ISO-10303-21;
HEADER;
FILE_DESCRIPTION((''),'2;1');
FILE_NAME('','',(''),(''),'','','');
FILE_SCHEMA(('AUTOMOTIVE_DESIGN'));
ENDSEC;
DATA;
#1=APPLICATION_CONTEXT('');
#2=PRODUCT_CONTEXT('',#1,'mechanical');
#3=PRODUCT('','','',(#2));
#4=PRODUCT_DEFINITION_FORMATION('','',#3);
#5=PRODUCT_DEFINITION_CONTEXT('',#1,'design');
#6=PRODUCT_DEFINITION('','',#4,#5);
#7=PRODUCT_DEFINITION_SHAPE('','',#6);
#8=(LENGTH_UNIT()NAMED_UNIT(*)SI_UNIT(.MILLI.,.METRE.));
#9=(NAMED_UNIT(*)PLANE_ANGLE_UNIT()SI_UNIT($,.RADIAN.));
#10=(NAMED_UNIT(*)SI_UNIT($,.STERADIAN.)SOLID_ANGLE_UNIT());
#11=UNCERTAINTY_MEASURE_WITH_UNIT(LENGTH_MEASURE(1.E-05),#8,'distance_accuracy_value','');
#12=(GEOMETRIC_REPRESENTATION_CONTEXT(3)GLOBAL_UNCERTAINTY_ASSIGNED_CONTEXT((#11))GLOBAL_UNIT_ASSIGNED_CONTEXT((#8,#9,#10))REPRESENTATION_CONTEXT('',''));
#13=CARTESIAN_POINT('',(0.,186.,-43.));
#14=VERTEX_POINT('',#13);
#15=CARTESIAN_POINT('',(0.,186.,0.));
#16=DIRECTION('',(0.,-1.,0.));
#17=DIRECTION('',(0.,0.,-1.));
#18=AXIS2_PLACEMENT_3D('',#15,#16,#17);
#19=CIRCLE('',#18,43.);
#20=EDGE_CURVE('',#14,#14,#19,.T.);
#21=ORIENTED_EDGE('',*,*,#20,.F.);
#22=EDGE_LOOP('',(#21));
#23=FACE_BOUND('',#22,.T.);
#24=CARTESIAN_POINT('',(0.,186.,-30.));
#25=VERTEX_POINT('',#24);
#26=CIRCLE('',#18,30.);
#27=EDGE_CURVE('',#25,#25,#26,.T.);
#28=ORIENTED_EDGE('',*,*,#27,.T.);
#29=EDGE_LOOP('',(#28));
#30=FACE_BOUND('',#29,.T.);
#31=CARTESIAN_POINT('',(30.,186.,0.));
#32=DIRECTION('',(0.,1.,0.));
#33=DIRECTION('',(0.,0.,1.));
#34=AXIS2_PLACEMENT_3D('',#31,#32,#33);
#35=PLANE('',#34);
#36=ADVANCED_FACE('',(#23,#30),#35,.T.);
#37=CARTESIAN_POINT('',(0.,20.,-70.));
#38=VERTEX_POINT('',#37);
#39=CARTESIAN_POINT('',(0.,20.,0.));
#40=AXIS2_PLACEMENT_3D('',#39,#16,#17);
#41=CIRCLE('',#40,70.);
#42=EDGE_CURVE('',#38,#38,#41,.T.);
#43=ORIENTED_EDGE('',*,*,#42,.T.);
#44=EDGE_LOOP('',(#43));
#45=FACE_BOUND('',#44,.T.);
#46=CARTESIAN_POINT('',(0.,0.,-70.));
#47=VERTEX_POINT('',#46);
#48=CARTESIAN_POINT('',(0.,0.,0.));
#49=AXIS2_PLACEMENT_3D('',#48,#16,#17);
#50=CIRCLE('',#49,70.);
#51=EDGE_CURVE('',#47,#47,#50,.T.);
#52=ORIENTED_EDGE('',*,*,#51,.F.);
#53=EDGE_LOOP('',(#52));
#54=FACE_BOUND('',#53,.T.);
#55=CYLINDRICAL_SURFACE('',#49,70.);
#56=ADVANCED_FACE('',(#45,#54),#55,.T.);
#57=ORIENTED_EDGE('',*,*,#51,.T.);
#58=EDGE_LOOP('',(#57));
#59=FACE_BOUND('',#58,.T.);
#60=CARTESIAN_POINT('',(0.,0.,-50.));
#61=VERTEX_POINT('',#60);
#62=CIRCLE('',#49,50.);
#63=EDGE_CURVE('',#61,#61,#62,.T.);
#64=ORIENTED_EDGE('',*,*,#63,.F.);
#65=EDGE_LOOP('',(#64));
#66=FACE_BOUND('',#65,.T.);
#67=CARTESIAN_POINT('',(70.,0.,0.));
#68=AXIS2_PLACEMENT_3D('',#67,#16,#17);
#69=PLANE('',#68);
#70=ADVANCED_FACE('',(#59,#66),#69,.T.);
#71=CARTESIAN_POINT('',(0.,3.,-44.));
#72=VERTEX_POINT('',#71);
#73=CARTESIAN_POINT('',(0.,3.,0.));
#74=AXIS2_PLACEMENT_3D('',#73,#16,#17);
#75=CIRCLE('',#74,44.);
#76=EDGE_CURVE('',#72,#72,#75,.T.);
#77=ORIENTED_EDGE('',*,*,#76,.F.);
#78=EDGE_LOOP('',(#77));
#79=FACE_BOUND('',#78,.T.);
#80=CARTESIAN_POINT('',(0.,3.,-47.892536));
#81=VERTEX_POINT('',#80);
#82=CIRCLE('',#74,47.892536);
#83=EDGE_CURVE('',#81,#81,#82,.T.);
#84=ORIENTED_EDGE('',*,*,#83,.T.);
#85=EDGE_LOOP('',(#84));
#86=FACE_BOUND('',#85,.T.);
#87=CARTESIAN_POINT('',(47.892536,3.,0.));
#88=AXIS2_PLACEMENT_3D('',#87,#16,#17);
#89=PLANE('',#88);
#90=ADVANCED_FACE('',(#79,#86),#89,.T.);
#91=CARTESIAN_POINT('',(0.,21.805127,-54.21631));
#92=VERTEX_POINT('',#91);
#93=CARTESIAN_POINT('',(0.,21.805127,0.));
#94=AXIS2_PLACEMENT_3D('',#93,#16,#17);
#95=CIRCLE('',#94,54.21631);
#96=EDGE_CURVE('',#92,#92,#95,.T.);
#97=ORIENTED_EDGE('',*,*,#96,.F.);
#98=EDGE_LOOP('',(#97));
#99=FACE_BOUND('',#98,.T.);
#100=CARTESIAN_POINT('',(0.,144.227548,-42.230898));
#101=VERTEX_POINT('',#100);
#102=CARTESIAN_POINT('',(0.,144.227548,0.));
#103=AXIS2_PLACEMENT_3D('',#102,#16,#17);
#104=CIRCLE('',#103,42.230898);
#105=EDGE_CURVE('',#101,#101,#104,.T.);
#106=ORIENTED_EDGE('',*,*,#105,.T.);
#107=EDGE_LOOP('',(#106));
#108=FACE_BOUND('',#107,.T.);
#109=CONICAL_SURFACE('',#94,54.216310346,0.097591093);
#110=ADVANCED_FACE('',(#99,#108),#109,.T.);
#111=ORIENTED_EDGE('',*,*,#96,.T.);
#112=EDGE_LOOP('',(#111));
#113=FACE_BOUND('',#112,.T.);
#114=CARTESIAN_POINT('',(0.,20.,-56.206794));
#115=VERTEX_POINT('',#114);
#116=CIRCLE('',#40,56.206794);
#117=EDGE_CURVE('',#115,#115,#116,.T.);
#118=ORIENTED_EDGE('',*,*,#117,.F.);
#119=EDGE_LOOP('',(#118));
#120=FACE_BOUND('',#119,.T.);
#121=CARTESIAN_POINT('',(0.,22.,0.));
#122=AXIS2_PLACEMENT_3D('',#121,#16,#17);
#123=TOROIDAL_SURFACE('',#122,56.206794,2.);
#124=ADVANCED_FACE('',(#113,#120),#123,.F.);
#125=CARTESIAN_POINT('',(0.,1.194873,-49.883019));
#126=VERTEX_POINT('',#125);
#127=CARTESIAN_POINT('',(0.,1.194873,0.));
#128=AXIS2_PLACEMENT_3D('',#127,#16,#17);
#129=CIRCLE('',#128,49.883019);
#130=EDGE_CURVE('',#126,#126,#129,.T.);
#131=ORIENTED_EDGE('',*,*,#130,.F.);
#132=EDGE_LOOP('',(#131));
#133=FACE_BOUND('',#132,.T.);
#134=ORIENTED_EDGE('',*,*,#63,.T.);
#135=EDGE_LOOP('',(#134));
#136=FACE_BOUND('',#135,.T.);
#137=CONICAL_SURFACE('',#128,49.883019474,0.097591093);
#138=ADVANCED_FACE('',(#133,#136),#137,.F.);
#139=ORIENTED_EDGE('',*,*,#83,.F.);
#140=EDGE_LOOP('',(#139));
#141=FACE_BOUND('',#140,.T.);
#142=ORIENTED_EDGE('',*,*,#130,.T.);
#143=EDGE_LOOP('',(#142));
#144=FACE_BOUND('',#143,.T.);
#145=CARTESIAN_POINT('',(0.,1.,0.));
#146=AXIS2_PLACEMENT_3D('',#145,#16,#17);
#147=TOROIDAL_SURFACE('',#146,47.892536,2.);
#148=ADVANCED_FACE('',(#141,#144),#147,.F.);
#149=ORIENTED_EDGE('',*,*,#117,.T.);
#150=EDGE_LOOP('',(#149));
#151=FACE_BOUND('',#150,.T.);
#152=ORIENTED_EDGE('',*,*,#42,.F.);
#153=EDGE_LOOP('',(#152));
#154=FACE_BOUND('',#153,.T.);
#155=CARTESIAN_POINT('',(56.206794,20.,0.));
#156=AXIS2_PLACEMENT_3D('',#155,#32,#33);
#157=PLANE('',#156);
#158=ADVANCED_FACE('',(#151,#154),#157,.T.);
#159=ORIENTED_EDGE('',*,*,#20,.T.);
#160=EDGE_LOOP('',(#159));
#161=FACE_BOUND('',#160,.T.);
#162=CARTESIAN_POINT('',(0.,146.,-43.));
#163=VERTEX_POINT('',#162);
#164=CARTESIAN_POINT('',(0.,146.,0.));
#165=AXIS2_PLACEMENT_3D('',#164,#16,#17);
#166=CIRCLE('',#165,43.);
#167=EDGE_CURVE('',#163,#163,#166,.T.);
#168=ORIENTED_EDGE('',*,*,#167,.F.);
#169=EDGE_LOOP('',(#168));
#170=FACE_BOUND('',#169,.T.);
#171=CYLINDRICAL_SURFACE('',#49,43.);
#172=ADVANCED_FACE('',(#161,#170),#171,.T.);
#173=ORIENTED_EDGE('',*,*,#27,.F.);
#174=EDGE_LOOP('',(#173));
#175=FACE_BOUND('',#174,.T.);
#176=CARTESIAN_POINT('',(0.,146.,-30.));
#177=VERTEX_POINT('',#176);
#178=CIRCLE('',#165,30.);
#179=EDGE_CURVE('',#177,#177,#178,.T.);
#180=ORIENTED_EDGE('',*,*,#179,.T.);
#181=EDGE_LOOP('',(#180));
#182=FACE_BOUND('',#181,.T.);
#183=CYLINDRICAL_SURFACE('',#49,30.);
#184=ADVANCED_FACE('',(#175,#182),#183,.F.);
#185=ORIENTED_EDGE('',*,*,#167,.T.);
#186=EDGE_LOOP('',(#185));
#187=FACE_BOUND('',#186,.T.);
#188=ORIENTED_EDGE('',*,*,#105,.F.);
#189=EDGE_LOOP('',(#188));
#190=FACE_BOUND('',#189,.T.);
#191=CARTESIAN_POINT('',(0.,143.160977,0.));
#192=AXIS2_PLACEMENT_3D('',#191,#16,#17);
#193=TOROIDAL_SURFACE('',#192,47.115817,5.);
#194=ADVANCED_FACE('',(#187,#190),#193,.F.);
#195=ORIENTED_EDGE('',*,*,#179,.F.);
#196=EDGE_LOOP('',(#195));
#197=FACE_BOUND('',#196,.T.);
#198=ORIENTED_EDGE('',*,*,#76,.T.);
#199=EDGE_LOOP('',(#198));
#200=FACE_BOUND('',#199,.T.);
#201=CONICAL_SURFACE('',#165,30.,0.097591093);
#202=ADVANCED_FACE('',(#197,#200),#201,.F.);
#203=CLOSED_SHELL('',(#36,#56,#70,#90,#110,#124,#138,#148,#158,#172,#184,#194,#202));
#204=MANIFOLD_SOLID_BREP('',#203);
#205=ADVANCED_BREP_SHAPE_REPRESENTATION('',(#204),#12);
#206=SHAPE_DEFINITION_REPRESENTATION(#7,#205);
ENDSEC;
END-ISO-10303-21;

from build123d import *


with BuildPart() as part:
    # Sketch1 → Revolve1 (revolve)
    with BuildSketch(Plane.XY, mode=Mode.PRIVATE) as revolve1_sk:
        with BuildLine():
            Line((30, 186), (43, 186))
            Line((43, 186), (43, 146))
            ThreePointArc((43, 146), (42.529020072, 145.151277561), (42.230898499, 144.22754849))
            Line((42.230898499, 144.22754849), (54.216310346, 21.805127486))
            ThreePointArc((54.216310346, 21.805127486), (54.863243552, 20.518489786), (56.206793881, 20))
            Line((56.206793881, 20), (70, 20))
            Line((70, 20), (70, 0))
            Line((70, 0), (50, 0))
            Line((50, 0), (49.883019474, 1.194872514))
            ThreePointArc((49.883019474, 1.194872514), (49.236086268, 2.481510214), (47.892535939, 3))
            Line((47.892535939, 3), (44, 3))
            Line((44, 3), (30, 146))
            Line((30, 146), (30, 186))
        make_face()
    revolve(revolve1_sk.sketch.rotate(Axis((0, 0, 0), (0, 1, 0)), 90), axis=Axis((0, 0, 0), (0, 1, 0)))


solid = part.part
